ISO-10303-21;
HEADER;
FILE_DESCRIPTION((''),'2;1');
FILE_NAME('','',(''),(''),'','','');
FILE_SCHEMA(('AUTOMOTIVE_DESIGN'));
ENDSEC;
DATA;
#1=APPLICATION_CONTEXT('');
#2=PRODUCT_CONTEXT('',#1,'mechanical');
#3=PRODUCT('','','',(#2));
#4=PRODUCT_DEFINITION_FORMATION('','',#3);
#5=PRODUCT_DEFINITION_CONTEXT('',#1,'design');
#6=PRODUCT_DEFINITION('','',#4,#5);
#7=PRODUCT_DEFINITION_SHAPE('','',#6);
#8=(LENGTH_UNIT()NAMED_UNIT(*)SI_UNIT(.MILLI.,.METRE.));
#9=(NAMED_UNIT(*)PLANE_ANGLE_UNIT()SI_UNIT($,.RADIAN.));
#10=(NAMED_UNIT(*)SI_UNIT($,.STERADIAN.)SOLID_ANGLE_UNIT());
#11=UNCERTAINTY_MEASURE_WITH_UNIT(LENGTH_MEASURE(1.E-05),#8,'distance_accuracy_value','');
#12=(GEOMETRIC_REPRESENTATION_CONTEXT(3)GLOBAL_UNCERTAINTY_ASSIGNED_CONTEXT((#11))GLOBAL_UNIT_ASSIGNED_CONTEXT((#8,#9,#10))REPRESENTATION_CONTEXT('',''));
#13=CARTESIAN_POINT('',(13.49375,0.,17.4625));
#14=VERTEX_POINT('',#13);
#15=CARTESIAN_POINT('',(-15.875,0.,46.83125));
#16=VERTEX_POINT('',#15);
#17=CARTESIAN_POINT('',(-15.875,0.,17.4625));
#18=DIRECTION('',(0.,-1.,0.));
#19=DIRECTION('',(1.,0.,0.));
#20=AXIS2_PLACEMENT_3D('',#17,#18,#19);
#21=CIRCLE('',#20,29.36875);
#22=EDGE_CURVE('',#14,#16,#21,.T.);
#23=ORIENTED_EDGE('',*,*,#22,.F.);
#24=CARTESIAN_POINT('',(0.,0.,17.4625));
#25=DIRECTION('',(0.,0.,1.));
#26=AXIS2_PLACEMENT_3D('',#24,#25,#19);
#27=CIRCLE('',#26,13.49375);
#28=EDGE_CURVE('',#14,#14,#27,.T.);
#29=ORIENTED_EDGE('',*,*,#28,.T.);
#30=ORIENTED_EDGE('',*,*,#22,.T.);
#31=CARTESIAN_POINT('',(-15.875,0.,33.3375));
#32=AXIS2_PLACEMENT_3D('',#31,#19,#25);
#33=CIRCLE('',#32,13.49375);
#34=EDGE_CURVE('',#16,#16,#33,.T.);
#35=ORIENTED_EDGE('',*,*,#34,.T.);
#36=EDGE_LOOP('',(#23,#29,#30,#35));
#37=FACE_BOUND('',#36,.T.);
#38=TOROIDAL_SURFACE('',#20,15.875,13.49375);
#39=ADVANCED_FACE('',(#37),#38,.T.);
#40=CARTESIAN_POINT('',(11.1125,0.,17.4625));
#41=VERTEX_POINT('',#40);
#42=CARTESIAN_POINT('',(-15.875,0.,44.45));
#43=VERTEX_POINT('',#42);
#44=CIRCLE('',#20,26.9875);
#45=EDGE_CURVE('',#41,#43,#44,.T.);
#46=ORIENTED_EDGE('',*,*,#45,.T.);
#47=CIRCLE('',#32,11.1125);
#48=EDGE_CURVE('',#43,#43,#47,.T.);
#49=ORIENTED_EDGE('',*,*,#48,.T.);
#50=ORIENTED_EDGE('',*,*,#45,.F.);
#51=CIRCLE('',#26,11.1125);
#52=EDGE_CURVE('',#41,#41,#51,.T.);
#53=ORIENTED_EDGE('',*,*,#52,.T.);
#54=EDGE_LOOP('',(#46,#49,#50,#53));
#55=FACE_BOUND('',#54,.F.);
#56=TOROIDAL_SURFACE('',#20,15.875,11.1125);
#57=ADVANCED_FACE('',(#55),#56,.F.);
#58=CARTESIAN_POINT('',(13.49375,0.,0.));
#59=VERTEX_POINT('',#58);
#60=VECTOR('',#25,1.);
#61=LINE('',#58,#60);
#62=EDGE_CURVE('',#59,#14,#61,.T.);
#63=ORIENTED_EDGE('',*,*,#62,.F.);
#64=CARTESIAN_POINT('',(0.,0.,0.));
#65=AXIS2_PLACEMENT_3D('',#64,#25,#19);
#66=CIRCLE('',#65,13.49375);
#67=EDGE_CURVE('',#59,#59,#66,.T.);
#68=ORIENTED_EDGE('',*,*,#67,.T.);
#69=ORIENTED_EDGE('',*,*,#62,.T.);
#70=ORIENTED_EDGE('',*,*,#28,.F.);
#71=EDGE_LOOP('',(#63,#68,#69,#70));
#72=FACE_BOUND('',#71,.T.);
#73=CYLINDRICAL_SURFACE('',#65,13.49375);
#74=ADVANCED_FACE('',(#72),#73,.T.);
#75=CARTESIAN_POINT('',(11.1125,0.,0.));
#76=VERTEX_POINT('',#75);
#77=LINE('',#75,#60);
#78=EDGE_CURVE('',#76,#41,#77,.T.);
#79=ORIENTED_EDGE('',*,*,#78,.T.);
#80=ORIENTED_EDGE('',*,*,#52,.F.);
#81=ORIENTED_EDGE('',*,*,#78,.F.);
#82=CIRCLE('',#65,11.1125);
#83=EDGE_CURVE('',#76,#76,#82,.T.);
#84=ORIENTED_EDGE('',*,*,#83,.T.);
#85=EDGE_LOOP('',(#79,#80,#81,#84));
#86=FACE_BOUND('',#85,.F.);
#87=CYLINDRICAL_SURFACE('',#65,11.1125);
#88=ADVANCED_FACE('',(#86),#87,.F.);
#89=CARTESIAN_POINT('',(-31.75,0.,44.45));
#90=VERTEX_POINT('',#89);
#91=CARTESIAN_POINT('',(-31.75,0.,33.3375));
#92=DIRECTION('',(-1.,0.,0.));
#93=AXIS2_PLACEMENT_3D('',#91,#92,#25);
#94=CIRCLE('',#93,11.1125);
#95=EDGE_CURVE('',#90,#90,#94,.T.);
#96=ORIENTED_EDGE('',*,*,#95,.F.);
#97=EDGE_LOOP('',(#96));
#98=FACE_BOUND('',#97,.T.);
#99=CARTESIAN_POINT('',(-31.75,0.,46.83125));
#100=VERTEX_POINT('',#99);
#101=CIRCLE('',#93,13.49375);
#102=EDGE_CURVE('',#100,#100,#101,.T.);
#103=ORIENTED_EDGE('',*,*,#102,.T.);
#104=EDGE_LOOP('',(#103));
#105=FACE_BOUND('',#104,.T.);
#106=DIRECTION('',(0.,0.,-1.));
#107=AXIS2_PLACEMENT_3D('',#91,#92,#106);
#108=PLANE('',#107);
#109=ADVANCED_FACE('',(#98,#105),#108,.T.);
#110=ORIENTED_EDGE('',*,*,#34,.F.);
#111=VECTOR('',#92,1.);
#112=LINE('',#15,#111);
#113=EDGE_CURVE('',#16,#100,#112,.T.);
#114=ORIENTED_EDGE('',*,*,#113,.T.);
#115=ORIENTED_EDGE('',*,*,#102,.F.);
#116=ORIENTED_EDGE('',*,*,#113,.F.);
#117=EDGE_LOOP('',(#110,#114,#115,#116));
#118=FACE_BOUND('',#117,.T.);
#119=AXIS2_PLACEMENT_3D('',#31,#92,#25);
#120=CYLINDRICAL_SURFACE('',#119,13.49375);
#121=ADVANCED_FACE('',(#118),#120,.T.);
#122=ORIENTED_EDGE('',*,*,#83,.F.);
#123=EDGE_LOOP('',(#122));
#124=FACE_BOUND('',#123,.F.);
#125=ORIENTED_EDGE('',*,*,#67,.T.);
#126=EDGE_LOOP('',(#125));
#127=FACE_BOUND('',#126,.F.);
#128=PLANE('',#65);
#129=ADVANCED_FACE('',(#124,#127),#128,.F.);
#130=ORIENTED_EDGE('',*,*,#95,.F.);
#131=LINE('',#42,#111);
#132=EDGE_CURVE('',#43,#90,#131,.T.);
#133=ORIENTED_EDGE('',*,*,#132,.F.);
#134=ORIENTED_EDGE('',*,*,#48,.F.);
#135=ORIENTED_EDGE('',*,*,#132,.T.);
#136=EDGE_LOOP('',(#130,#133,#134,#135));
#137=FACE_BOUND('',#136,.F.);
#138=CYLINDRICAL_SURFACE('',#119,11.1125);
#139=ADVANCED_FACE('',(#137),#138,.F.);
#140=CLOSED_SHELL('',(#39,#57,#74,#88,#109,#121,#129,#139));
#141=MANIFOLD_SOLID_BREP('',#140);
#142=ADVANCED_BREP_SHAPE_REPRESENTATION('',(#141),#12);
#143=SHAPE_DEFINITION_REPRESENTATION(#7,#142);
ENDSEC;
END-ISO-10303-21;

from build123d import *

# Parameters (mm, degrees)
F1_R = 13.49375
F3_R = 11.1125


with BuildPart() as f2:
    # F2: sweep along a path in F0
    with BuildLine(Plane.XZ) as f2_path:
        Line((0, 0), (0, 17.4625))
        ThreePointArc((0, 17.4625), (-4.6496798487, 28.6878201513), (-15.875, 33.3375))
        Line((-15.875, 33.3375), (-31.75, 33.3375))
    # F1 (on Top) → F2 (sweep)
    with BuildSketch(Plane.XY):
        Circle(F1_R)
    sweep(path=f2_path.line)

    # F4: sweep along a path in F0
    with BuildLine(Plane.XZ) as f4_path:
        Line((0, 0), (0, 17.4625))
        ThreePointArc((0, 17.4625), (-4.6496798487, 28.6878201513), (-15.875, 33.3375))
        Line((-15.875, 33.3375), (-31.75, 33.3375))
    # F3 (on face) → F4 (sweep, cut)
    with BuildSketch(Plane(origin=(0, 0, 0), x_dir=(1, 0, 0), z_dir=(0, 0, -1))):
        Circle(F3_R)
    sweep(path=f4_path.line, mode=Mode.SUBTRACT)


solid = f2.part
